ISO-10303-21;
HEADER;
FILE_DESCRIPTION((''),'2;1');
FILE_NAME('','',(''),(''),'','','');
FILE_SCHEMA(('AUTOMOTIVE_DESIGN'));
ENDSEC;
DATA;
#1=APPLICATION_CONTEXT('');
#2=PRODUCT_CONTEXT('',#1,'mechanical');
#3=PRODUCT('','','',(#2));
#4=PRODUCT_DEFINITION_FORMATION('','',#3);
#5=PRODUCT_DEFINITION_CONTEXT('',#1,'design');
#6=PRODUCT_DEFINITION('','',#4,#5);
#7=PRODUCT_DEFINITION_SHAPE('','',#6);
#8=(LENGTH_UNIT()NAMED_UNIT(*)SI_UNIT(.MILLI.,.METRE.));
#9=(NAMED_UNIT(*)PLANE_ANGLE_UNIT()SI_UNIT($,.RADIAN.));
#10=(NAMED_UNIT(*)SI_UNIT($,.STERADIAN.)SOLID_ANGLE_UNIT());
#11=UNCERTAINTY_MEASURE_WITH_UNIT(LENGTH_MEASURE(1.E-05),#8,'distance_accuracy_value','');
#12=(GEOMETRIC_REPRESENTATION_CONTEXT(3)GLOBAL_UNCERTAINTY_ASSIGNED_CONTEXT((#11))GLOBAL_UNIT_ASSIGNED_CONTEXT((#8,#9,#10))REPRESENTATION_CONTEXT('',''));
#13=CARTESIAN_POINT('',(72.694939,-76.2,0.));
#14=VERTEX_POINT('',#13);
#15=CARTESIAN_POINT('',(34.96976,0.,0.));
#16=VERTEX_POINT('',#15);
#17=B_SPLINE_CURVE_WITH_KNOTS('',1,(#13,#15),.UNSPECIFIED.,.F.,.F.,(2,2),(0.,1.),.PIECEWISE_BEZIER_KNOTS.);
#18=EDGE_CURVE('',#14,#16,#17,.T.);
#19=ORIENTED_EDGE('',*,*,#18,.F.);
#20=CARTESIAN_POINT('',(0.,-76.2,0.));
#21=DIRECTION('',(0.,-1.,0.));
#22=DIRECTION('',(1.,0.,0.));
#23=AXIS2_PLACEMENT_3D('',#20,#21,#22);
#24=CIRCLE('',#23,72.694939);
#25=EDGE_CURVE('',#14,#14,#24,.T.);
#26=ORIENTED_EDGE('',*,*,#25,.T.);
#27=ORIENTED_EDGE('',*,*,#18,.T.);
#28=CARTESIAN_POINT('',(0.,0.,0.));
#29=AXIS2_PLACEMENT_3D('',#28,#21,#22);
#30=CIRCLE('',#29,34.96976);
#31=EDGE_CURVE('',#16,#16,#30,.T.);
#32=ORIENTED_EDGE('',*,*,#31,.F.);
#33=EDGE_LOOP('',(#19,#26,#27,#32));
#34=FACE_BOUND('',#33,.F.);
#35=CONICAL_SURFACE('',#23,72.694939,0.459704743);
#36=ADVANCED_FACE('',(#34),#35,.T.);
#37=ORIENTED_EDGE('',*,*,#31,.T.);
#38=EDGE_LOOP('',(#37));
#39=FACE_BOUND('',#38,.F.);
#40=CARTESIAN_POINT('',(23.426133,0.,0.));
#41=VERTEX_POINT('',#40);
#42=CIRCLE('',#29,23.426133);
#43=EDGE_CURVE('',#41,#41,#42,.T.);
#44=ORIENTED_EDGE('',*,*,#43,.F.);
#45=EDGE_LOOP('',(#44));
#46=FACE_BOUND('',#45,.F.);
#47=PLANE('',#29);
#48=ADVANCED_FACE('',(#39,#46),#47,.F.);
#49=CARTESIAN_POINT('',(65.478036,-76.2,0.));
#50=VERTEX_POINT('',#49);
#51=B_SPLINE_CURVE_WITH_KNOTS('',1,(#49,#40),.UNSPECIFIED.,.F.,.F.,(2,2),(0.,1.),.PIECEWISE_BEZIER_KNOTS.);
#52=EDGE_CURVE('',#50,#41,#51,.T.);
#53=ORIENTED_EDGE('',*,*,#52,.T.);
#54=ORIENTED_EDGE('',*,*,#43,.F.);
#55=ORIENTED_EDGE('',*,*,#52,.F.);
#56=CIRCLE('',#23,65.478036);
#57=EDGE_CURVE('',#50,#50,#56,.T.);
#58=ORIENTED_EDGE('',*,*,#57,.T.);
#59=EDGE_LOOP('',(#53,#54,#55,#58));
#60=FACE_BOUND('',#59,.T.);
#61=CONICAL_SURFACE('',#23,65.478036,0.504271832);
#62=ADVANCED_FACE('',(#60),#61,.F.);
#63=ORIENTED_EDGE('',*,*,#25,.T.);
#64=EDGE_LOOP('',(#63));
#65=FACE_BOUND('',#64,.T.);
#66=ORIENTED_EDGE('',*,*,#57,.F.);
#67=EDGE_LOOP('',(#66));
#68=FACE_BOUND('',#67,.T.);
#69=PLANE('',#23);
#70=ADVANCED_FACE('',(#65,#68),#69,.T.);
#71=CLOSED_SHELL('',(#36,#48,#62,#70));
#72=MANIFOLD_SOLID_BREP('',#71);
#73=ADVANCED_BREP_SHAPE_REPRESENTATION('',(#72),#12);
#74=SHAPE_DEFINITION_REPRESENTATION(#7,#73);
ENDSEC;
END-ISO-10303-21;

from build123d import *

# Parameters (mm, degrees)
F2_R = 72.694939
F0_R = 34.96976
F4_R = 65.478036
F5_R = 23.426133


with BuildPart() as f3:
    # F2 (on offset) → F3 section 0
    with BuildSketch(Plane.XZ.offset(76.2)):
        Circle(F2_R)
    # F0 (on Front) → F3 section 1
    with BuildSketch(Plane.XZ):
        Circle(F0_R)
    loft()

    # F4 (on offset) → F6 section 0
    with BuildSketch(Plane.XZ.offset(76.2)):
        Circle(F4_R)
    # F5 (on Front) → F6 section 1
    with BuildSketch(Plane.XZ):
        Circle(F5_R)
    loft(mode=Mode.SUBTRACT)


solid = f3.part
